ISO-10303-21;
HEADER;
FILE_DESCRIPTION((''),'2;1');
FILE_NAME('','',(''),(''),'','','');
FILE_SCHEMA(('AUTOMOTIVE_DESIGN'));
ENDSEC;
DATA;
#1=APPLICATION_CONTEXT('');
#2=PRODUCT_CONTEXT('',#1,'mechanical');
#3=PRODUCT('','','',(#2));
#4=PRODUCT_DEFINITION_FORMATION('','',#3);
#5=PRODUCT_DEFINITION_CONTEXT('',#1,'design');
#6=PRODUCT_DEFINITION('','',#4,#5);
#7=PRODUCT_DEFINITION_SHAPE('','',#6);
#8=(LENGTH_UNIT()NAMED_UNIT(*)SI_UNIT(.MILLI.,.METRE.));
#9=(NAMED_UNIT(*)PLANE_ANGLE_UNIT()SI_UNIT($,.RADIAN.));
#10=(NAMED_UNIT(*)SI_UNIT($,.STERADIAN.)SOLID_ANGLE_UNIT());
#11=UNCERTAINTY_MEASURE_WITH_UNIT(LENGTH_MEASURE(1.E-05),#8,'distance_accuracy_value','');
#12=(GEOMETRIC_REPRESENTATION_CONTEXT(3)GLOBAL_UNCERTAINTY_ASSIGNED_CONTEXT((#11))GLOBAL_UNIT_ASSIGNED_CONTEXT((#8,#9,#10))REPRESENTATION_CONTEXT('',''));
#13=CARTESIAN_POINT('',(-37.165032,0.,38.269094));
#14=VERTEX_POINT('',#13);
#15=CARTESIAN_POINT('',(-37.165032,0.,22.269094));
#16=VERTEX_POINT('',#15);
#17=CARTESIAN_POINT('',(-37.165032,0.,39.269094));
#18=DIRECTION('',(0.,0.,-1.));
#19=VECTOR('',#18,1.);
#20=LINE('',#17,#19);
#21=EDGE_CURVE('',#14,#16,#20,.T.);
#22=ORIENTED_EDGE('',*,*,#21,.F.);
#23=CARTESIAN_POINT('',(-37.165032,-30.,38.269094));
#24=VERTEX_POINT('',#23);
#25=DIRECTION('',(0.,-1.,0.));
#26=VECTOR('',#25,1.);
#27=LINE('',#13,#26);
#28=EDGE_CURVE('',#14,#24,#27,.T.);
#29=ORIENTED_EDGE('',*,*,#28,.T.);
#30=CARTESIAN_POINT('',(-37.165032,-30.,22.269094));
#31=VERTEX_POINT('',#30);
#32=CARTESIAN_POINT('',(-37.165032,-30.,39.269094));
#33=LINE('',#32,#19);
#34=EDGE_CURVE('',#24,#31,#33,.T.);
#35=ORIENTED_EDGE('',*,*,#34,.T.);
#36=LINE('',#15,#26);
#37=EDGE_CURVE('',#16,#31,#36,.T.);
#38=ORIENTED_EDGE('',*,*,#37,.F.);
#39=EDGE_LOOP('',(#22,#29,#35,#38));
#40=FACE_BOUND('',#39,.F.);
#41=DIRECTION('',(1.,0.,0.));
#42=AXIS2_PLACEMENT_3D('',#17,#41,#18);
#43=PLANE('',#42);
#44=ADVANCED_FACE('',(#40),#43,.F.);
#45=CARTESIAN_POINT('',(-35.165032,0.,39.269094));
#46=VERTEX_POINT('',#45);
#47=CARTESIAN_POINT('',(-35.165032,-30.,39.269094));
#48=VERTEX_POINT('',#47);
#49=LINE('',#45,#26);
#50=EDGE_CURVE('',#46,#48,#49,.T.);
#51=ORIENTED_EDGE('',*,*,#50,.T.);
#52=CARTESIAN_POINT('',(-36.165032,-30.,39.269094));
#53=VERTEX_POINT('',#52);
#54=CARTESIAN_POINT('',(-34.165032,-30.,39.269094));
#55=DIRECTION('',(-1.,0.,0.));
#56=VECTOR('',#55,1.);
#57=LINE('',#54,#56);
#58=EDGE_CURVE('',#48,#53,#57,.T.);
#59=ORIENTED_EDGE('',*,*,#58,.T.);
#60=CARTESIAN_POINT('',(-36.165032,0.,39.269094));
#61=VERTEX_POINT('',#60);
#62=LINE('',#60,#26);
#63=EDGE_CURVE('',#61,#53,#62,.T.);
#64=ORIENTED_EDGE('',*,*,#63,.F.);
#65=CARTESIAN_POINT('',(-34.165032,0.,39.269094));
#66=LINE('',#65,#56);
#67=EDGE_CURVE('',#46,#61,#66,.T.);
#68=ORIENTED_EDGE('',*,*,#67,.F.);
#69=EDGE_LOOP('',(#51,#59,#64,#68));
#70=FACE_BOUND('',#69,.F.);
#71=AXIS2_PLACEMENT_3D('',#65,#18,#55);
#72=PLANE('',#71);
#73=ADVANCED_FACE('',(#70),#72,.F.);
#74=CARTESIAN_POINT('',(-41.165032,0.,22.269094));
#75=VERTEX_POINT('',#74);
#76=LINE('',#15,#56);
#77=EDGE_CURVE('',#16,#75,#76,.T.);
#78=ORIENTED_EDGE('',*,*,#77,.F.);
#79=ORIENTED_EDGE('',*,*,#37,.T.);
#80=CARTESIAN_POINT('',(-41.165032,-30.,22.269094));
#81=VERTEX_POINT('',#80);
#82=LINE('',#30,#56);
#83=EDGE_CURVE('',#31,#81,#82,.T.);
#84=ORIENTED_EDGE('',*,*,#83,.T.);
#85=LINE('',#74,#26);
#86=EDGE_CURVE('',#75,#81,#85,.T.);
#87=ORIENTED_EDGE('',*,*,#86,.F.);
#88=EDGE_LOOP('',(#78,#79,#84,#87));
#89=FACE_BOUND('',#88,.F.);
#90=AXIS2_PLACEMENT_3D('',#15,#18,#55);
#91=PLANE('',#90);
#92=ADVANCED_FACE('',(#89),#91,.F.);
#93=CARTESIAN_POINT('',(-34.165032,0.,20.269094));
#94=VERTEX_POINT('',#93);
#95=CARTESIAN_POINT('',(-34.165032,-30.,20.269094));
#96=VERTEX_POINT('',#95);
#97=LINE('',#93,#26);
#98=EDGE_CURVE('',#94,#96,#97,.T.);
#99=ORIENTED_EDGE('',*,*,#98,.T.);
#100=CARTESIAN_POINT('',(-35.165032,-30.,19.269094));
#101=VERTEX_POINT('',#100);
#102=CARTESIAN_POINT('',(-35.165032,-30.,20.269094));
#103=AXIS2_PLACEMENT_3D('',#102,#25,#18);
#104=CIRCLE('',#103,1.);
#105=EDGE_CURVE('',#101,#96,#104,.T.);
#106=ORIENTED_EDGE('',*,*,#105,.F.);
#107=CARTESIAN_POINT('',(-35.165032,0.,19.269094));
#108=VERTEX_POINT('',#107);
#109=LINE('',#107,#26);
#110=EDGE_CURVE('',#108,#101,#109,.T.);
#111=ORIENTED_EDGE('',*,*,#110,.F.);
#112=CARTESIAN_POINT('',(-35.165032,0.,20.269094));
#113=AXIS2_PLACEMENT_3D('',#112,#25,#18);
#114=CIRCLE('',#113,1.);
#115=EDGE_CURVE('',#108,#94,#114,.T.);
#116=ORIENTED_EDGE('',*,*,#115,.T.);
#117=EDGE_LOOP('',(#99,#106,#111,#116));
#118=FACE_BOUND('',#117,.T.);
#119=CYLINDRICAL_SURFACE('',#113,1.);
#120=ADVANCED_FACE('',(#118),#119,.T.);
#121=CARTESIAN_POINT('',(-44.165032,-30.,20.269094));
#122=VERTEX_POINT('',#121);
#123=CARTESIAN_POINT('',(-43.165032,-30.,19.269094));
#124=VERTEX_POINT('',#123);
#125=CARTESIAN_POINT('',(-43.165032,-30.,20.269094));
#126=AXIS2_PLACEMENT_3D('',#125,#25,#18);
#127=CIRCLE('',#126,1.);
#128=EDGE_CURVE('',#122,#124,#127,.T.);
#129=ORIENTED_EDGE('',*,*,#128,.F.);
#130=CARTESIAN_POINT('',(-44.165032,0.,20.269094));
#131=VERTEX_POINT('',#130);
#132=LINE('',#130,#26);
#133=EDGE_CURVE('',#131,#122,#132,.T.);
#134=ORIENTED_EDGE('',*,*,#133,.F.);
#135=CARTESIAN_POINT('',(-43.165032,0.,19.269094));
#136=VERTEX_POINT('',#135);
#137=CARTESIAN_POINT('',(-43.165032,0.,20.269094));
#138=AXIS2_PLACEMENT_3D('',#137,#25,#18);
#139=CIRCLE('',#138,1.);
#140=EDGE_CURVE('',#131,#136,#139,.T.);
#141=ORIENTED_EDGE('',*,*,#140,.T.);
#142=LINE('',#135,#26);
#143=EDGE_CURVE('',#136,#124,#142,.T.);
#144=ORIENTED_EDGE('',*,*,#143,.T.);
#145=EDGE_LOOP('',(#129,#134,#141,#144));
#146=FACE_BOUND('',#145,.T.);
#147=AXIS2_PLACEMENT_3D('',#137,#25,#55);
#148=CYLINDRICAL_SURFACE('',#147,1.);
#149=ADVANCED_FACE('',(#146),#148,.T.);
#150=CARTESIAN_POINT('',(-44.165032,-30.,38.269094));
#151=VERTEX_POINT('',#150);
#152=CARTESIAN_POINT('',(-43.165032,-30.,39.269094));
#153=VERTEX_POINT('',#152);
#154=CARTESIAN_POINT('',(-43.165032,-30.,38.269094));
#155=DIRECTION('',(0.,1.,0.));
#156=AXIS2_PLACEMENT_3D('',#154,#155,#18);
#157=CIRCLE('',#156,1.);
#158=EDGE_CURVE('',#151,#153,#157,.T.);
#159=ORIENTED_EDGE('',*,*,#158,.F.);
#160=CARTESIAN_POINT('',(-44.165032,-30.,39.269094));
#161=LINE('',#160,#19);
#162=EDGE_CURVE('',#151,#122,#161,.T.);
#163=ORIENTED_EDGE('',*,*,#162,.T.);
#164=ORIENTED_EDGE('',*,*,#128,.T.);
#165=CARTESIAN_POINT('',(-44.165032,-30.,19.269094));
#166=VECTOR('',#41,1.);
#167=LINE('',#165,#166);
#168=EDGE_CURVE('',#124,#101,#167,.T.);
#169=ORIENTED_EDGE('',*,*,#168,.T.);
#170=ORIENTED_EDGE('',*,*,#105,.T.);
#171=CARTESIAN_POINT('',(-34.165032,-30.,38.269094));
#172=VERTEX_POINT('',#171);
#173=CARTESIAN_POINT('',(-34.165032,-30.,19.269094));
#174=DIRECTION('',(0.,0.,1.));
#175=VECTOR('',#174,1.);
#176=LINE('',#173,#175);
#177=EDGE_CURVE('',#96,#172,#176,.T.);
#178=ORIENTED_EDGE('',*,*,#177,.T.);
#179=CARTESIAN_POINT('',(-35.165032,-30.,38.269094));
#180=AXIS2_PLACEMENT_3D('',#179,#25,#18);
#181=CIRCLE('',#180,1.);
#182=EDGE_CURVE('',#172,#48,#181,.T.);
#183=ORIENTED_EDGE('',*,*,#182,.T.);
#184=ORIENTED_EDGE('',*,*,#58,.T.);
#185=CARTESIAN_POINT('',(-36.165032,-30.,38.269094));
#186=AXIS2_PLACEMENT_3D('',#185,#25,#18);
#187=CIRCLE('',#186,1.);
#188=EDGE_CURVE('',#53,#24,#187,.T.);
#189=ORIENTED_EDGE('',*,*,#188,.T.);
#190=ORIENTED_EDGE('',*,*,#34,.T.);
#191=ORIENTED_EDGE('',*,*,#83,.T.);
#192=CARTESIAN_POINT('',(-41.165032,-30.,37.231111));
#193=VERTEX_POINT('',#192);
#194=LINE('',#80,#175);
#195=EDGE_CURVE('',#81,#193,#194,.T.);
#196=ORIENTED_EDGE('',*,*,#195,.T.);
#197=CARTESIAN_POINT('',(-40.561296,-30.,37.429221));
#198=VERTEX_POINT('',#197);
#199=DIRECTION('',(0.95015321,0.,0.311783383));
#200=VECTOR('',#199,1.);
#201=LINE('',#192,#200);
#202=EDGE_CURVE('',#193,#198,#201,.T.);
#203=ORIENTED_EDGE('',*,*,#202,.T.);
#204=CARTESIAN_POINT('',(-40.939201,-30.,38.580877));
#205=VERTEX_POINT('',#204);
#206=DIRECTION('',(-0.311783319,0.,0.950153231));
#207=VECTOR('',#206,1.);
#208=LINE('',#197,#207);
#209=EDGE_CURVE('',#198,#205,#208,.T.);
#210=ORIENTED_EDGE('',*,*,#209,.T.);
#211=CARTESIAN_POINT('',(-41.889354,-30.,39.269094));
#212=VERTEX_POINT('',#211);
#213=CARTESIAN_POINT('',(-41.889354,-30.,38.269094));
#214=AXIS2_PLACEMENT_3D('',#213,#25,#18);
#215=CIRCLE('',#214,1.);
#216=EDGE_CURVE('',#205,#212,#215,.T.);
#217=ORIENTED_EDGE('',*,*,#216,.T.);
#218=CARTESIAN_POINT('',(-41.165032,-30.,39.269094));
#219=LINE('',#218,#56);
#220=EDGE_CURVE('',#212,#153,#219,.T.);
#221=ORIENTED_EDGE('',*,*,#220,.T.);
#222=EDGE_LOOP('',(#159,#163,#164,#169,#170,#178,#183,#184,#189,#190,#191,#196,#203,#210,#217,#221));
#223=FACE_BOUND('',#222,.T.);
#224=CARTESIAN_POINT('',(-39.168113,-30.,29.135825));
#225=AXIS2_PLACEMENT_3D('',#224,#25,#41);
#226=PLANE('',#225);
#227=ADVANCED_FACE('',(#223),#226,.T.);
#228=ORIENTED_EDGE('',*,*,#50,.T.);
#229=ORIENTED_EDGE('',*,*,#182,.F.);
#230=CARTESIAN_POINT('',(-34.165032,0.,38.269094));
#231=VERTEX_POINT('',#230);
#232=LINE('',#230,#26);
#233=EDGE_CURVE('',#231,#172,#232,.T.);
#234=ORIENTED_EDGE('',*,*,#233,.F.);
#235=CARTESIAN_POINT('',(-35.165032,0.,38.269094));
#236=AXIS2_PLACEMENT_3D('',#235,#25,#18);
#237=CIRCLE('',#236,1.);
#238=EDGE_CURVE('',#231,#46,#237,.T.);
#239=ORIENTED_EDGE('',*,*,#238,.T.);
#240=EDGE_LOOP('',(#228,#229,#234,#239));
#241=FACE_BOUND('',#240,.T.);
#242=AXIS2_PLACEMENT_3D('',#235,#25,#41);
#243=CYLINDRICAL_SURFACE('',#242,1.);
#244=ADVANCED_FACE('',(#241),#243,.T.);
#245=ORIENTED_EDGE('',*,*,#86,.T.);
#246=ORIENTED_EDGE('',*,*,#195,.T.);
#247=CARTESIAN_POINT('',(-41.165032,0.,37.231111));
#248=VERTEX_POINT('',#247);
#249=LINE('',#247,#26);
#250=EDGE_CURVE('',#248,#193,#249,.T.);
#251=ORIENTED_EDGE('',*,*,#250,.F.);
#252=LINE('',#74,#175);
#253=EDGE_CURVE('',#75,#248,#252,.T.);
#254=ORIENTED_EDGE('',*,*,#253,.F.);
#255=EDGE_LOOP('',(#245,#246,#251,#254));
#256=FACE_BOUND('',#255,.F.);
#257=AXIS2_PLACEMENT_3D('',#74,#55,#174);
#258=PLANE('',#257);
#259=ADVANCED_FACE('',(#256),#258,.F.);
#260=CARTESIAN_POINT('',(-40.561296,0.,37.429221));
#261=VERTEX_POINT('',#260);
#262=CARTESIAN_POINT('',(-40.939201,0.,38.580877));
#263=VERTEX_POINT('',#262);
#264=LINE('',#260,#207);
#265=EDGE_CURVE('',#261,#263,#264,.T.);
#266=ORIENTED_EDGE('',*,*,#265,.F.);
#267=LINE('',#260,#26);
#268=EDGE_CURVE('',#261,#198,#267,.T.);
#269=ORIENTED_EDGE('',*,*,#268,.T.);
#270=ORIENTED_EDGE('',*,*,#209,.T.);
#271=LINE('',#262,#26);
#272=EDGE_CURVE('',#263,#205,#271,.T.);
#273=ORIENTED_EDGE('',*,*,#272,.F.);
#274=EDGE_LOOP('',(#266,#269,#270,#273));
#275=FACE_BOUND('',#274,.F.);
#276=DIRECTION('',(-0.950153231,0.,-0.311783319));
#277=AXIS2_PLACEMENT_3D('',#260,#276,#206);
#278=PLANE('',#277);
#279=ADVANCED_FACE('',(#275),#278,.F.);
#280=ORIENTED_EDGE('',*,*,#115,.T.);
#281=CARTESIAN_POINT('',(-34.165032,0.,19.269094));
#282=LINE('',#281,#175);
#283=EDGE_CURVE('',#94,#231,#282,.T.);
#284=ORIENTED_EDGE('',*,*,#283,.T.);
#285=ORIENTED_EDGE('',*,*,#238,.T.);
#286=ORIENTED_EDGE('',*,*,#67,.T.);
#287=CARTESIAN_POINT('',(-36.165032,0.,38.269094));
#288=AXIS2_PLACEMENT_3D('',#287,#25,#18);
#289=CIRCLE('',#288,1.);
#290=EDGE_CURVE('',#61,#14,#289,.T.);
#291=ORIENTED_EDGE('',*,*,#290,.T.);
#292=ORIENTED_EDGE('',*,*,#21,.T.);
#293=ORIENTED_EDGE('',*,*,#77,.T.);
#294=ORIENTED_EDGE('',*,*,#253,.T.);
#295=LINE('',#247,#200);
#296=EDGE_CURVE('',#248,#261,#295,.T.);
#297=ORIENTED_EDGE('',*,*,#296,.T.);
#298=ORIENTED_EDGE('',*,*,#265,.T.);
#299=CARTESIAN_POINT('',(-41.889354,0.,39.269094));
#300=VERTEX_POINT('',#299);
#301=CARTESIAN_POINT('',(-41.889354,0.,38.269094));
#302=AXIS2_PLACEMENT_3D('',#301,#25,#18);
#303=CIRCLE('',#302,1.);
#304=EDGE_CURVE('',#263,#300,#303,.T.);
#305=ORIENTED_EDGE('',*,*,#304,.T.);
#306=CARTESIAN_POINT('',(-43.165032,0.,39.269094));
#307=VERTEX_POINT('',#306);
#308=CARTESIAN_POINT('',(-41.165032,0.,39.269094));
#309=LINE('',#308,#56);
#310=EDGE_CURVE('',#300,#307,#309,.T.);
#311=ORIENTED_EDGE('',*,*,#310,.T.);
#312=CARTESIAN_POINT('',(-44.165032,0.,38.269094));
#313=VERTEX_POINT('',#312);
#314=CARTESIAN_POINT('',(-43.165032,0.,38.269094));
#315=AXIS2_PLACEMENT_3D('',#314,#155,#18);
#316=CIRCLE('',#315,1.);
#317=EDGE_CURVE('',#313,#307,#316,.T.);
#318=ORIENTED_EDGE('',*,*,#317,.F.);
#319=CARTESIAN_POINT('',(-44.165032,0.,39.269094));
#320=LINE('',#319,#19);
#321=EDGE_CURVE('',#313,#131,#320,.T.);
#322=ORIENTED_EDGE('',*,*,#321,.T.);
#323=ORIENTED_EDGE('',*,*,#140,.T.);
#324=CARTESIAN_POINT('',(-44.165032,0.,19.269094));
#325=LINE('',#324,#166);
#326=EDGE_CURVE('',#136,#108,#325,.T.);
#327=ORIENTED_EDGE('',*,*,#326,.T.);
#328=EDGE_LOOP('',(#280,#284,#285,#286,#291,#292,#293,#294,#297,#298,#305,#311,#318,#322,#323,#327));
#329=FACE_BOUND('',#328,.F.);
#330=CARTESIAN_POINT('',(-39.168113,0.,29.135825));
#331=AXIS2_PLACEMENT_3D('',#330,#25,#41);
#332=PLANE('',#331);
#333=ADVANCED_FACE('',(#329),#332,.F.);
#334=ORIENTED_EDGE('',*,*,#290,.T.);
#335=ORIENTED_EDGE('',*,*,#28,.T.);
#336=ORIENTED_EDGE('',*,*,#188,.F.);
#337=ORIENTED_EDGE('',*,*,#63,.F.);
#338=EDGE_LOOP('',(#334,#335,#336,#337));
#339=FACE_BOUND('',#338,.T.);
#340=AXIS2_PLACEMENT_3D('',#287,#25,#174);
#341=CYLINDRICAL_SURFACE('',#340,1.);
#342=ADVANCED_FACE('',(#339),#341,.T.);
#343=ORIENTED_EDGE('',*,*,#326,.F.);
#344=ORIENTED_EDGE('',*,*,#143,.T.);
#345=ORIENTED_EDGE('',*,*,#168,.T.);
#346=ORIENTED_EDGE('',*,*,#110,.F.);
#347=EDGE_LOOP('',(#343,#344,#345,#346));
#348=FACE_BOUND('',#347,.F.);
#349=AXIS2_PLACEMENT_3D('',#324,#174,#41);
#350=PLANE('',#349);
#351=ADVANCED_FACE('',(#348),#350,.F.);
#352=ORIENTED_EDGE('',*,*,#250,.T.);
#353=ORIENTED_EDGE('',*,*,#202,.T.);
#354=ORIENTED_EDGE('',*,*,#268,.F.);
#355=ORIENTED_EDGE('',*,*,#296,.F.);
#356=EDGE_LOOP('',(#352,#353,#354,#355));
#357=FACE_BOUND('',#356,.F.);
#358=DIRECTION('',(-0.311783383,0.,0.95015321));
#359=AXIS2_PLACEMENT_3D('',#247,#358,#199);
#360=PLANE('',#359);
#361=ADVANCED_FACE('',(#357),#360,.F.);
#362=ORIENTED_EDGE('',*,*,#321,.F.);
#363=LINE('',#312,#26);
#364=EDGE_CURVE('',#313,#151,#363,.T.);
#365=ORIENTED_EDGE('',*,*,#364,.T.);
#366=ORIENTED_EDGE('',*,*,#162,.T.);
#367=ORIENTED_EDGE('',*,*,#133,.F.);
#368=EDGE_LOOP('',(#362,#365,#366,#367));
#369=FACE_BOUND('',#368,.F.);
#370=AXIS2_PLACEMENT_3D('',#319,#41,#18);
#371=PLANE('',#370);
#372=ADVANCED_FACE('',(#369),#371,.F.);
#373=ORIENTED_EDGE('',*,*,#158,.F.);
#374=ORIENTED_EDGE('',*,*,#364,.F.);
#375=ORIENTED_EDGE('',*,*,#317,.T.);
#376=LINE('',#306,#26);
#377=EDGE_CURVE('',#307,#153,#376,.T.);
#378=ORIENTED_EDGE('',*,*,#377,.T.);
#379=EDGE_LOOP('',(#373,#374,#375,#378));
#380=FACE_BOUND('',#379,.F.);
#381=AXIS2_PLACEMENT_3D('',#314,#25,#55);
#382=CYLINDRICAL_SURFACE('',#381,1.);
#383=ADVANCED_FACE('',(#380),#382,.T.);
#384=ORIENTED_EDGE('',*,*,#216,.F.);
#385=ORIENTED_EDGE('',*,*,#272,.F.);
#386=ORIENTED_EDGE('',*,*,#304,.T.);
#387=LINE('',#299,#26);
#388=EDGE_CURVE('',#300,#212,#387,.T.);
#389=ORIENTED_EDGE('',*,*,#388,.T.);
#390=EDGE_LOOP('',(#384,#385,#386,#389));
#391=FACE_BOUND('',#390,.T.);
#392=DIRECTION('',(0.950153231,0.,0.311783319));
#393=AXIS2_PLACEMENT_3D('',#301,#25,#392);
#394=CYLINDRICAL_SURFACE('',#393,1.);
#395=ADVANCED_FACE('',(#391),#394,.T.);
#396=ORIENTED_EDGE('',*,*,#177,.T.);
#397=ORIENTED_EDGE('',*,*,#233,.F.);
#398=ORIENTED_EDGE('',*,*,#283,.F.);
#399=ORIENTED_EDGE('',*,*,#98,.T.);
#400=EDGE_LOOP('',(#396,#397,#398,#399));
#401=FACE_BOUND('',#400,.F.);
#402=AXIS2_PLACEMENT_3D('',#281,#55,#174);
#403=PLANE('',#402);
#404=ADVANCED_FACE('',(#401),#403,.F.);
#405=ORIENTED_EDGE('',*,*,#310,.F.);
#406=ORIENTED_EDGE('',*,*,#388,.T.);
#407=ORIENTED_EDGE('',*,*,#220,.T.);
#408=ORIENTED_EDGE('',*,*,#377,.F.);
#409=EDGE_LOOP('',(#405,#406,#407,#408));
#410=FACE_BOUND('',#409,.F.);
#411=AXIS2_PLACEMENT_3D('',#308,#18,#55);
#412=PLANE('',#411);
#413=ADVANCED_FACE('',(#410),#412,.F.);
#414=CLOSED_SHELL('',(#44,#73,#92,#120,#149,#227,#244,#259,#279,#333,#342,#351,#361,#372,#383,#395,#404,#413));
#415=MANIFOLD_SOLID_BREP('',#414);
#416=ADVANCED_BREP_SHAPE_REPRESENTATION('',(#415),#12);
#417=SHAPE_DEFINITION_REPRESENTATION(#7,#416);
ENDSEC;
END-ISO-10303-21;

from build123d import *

# Parameters (mm, degrees)
F1_DEPTH = 30
F2_R     = 1


with BuildPart() as f1:
    # F0 (on Front) → F1 (new body)
    with BuildSketch(Plane.XZ):
        Polygon((-44.165032, 39.269094), (-44.165032, 19.269094), (-34.165032, 19.269094), (-34.165032, 39.269094), (-37.165032, 39.269094), (-37.165032, 22.269094), (-41.165032, 22.269094), (-41.165032, 37.231111), (-40.561296, 37.429221), (-41.165032, 39.269094), align=None)
    extrude(amount=F1_DEPTH)

    # F2
    f2_edges = [f1.edges().sort_by_distance(p)[0] for p in [
        (-34.165032, -15, 19.269094),
        (-34.165032, -15, 39.269094),
        (-37.165032, -15, 39.269094),
        (-44.165032, -15, 19.269094),
        (-44.165032, -15, 39.269094),
        (-41.165032, -15, 39.269094),
    ]]
    fillet(f2_edges, radius=F2_R)


solid = f1.part
